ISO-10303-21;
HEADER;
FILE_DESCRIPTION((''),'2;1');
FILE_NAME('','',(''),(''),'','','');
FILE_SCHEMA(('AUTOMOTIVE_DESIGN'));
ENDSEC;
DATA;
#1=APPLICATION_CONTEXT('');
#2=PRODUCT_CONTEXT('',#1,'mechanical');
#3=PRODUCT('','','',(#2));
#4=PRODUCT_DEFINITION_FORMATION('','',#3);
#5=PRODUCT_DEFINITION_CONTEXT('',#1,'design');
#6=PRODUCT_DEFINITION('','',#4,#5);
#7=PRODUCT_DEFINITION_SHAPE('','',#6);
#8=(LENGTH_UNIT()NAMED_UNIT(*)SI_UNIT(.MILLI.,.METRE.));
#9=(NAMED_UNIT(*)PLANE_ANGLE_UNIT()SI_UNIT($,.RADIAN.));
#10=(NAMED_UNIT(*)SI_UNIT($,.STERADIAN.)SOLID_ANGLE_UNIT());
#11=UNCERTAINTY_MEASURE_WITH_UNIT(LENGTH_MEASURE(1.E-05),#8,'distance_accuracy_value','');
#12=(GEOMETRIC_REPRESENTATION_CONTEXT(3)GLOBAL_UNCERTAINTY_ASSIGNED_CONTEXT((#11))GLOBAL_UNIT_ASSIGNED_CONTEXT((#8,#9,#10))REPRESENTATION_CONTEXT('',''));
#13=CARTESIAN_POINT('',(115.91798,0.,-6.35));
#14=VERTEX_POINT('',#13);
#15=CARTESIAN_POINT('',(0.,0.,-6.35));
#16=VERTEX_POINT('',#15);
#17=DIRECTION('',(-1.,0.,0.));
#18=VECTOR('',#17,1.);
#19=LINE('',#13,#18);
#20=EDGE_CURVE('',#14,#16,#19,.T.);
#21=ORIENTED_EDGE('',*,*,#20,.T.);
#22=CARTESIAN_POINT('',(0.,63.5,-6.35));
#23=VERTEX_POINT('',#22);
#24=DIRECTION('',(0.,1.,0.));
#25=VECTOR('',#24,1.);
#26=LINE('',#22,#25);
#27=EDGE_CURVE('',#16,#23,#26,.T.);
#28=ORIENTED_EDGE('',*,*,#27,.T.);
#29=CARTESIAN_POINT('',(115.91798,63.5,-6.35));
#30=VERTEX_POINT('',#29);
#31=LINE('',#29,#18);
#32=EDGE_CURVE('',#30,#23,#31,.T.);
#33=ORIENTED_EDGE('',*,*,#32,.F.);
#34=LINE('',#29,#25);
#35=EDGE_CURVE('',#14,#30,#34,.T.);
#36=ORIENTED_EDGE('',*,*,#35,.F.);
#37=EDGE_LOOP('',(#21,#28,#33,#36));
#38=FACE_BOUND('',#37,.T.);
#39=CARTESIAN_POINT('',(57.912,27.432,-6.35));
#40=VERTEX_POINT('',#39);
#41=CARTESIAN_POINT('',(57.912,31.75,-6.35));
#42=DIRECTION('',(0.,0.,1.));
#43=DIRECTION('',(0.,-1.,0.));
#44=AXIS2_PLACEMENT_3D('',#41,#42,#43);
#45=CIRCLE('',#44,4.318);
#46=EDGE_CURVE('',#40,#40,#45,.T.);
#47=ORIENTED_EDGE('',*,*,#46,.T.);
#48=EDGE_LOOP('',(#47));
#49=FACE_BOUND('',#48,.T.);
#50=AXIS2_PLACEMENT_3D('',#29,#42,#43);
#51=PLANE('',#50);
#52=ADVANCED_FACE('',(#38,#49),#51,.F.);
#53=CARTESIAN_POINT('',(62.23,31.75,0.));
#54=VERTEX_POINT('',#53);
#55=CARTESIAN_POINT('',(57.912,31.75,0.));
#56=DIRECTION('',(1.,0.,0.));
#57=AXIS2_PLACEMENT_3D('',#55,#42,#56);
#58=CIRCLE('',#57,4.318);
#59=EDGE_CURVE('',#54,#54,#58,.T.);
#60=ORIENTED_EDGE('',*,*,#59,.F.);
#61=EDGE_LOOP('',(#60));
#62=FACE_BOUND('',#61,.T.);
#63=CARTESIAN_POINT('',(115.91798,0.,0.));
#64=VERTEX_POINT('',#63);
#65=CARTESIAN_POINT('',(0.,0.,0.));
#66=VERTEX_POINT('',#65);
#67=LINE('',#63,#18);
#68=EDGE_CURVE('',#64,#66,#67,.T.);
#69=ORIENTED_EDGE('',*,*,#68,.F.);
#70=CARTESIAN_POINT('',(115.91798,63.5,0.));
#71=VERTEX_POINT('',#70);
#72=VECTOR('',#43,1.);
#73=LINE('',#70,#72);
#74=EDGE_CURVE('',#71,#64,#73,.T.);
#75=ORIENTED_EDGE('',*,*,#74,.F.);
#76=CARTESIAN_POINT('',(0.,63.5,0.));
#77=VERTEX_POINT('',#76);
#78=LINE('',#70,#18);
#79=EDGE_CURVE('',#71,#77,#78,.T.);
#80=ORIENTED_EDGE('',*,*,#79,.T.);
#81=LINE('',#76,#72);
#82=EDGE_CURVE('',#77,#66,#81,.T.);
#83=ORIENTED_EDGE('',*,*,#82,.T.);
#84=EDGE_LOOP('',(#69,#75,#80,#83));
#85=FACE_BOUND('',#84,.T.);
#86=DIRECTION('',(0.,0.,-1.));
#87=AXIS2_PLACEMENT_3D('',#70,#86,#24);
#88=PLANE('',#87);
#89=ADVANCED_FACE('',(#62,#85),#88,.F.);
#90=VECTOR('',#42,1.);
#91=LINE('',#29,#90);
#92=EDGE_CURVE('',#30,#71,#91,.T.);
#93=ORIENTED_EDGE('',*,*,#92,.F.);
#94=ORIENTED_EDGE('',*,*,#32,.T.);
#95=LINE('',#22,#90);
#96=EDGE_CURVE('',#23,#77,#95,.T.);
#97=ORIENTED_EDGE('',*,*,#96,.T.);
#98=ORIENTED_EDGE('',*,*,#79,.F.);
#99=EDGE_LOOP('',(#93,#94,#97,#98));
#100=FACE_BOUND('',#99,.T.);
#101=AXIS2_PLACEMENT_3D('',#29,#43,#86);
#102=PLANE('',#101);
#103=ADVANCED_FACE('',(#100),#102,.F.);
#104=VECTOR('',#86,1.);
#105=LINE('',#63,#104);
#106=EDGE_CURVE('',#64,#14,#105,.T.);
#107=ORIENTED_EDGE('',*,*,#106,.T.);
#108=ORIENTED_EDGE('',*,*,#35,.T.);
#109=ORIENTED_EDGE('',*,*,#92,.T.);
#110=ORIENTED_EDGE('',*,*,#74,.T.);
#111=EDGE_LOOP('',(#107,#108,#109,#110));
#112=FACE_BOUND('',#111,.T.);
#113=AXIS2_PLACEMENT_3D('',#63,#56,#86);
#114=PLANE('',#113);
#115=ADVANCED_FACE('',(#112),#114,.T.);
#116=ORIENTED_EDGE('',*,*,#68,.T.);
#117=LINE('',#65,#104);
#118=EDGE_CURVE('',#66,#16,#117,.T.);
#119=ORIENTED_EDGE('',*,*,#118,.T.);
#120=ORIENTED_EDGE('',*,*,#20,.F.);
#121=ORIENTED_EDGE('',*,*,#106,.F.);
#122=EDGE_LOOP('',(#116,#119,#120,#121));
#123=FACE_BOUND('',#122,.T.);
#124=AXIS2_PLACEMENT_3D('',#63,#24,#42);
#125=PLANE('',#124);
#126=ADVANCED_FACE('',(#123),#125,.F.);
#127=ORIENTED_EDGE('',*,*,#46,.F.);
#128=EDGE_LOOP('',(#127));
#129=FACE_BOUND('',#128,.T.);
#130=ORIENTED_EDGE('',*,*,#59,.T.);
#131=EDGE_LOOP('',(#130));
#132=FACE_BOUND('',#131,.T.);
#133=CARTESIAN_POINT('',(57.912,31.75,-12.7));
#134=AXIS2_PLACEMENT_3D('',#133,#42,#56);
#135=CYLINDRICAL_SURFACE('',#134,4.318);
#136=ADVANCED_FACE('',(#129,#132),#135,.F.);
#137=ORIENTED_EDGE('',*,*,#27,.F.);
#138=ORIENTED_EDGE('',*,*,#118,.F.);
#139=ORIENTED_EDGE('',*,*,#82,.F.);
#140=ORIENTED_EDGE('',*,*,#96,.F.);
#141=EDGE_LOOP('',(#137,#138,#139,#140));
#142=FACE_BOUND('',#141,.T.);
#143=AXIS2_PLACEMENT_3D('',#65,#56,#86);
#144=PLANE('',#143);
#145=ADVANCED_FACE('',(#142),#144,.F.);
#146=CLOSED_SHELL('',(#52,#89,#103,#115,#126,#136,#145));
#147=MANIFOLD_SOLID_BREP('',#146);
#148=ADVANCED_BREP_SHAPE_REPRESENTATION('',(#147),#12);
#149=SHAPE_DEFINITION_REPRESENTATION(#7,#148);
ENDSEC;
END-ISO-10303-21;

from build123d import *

# Parameters (mm, degrees)
SKETCH1_W          = 6.35
SKETCH1_H          = 63.5
EXTRUDE1_DEPTH     = 115.91798
SKETCH2_R          = 4.318
CUT_EXTRUDE1_DEPTH = 12.7


with BuildPart() as part:
    # Sketch1 → Extrude1 (new body)
    with BuildSketch(Plane(origin=(0, 0, 0), x_dir=(0, 0, -1), z_dir=(1, 0, 0))):
        with Locations((3.175, 31.75)):
            Rectangle(SKETCH1_W, SKETCH1_H)
    extrude(amount=EXTRUDE1_DEPTH)

    # Sketch2 → Cut-Extrude1 (cut)
    with BuildSketch(Plane.XY):
        with Locations((57.912, 31.75)):
            Circle(SKETCH2_R)
    extrude(amount=-CUT_EXTRUDE1_DEPTH, mode=Mode.SUBTRACT)


solid = part.part
